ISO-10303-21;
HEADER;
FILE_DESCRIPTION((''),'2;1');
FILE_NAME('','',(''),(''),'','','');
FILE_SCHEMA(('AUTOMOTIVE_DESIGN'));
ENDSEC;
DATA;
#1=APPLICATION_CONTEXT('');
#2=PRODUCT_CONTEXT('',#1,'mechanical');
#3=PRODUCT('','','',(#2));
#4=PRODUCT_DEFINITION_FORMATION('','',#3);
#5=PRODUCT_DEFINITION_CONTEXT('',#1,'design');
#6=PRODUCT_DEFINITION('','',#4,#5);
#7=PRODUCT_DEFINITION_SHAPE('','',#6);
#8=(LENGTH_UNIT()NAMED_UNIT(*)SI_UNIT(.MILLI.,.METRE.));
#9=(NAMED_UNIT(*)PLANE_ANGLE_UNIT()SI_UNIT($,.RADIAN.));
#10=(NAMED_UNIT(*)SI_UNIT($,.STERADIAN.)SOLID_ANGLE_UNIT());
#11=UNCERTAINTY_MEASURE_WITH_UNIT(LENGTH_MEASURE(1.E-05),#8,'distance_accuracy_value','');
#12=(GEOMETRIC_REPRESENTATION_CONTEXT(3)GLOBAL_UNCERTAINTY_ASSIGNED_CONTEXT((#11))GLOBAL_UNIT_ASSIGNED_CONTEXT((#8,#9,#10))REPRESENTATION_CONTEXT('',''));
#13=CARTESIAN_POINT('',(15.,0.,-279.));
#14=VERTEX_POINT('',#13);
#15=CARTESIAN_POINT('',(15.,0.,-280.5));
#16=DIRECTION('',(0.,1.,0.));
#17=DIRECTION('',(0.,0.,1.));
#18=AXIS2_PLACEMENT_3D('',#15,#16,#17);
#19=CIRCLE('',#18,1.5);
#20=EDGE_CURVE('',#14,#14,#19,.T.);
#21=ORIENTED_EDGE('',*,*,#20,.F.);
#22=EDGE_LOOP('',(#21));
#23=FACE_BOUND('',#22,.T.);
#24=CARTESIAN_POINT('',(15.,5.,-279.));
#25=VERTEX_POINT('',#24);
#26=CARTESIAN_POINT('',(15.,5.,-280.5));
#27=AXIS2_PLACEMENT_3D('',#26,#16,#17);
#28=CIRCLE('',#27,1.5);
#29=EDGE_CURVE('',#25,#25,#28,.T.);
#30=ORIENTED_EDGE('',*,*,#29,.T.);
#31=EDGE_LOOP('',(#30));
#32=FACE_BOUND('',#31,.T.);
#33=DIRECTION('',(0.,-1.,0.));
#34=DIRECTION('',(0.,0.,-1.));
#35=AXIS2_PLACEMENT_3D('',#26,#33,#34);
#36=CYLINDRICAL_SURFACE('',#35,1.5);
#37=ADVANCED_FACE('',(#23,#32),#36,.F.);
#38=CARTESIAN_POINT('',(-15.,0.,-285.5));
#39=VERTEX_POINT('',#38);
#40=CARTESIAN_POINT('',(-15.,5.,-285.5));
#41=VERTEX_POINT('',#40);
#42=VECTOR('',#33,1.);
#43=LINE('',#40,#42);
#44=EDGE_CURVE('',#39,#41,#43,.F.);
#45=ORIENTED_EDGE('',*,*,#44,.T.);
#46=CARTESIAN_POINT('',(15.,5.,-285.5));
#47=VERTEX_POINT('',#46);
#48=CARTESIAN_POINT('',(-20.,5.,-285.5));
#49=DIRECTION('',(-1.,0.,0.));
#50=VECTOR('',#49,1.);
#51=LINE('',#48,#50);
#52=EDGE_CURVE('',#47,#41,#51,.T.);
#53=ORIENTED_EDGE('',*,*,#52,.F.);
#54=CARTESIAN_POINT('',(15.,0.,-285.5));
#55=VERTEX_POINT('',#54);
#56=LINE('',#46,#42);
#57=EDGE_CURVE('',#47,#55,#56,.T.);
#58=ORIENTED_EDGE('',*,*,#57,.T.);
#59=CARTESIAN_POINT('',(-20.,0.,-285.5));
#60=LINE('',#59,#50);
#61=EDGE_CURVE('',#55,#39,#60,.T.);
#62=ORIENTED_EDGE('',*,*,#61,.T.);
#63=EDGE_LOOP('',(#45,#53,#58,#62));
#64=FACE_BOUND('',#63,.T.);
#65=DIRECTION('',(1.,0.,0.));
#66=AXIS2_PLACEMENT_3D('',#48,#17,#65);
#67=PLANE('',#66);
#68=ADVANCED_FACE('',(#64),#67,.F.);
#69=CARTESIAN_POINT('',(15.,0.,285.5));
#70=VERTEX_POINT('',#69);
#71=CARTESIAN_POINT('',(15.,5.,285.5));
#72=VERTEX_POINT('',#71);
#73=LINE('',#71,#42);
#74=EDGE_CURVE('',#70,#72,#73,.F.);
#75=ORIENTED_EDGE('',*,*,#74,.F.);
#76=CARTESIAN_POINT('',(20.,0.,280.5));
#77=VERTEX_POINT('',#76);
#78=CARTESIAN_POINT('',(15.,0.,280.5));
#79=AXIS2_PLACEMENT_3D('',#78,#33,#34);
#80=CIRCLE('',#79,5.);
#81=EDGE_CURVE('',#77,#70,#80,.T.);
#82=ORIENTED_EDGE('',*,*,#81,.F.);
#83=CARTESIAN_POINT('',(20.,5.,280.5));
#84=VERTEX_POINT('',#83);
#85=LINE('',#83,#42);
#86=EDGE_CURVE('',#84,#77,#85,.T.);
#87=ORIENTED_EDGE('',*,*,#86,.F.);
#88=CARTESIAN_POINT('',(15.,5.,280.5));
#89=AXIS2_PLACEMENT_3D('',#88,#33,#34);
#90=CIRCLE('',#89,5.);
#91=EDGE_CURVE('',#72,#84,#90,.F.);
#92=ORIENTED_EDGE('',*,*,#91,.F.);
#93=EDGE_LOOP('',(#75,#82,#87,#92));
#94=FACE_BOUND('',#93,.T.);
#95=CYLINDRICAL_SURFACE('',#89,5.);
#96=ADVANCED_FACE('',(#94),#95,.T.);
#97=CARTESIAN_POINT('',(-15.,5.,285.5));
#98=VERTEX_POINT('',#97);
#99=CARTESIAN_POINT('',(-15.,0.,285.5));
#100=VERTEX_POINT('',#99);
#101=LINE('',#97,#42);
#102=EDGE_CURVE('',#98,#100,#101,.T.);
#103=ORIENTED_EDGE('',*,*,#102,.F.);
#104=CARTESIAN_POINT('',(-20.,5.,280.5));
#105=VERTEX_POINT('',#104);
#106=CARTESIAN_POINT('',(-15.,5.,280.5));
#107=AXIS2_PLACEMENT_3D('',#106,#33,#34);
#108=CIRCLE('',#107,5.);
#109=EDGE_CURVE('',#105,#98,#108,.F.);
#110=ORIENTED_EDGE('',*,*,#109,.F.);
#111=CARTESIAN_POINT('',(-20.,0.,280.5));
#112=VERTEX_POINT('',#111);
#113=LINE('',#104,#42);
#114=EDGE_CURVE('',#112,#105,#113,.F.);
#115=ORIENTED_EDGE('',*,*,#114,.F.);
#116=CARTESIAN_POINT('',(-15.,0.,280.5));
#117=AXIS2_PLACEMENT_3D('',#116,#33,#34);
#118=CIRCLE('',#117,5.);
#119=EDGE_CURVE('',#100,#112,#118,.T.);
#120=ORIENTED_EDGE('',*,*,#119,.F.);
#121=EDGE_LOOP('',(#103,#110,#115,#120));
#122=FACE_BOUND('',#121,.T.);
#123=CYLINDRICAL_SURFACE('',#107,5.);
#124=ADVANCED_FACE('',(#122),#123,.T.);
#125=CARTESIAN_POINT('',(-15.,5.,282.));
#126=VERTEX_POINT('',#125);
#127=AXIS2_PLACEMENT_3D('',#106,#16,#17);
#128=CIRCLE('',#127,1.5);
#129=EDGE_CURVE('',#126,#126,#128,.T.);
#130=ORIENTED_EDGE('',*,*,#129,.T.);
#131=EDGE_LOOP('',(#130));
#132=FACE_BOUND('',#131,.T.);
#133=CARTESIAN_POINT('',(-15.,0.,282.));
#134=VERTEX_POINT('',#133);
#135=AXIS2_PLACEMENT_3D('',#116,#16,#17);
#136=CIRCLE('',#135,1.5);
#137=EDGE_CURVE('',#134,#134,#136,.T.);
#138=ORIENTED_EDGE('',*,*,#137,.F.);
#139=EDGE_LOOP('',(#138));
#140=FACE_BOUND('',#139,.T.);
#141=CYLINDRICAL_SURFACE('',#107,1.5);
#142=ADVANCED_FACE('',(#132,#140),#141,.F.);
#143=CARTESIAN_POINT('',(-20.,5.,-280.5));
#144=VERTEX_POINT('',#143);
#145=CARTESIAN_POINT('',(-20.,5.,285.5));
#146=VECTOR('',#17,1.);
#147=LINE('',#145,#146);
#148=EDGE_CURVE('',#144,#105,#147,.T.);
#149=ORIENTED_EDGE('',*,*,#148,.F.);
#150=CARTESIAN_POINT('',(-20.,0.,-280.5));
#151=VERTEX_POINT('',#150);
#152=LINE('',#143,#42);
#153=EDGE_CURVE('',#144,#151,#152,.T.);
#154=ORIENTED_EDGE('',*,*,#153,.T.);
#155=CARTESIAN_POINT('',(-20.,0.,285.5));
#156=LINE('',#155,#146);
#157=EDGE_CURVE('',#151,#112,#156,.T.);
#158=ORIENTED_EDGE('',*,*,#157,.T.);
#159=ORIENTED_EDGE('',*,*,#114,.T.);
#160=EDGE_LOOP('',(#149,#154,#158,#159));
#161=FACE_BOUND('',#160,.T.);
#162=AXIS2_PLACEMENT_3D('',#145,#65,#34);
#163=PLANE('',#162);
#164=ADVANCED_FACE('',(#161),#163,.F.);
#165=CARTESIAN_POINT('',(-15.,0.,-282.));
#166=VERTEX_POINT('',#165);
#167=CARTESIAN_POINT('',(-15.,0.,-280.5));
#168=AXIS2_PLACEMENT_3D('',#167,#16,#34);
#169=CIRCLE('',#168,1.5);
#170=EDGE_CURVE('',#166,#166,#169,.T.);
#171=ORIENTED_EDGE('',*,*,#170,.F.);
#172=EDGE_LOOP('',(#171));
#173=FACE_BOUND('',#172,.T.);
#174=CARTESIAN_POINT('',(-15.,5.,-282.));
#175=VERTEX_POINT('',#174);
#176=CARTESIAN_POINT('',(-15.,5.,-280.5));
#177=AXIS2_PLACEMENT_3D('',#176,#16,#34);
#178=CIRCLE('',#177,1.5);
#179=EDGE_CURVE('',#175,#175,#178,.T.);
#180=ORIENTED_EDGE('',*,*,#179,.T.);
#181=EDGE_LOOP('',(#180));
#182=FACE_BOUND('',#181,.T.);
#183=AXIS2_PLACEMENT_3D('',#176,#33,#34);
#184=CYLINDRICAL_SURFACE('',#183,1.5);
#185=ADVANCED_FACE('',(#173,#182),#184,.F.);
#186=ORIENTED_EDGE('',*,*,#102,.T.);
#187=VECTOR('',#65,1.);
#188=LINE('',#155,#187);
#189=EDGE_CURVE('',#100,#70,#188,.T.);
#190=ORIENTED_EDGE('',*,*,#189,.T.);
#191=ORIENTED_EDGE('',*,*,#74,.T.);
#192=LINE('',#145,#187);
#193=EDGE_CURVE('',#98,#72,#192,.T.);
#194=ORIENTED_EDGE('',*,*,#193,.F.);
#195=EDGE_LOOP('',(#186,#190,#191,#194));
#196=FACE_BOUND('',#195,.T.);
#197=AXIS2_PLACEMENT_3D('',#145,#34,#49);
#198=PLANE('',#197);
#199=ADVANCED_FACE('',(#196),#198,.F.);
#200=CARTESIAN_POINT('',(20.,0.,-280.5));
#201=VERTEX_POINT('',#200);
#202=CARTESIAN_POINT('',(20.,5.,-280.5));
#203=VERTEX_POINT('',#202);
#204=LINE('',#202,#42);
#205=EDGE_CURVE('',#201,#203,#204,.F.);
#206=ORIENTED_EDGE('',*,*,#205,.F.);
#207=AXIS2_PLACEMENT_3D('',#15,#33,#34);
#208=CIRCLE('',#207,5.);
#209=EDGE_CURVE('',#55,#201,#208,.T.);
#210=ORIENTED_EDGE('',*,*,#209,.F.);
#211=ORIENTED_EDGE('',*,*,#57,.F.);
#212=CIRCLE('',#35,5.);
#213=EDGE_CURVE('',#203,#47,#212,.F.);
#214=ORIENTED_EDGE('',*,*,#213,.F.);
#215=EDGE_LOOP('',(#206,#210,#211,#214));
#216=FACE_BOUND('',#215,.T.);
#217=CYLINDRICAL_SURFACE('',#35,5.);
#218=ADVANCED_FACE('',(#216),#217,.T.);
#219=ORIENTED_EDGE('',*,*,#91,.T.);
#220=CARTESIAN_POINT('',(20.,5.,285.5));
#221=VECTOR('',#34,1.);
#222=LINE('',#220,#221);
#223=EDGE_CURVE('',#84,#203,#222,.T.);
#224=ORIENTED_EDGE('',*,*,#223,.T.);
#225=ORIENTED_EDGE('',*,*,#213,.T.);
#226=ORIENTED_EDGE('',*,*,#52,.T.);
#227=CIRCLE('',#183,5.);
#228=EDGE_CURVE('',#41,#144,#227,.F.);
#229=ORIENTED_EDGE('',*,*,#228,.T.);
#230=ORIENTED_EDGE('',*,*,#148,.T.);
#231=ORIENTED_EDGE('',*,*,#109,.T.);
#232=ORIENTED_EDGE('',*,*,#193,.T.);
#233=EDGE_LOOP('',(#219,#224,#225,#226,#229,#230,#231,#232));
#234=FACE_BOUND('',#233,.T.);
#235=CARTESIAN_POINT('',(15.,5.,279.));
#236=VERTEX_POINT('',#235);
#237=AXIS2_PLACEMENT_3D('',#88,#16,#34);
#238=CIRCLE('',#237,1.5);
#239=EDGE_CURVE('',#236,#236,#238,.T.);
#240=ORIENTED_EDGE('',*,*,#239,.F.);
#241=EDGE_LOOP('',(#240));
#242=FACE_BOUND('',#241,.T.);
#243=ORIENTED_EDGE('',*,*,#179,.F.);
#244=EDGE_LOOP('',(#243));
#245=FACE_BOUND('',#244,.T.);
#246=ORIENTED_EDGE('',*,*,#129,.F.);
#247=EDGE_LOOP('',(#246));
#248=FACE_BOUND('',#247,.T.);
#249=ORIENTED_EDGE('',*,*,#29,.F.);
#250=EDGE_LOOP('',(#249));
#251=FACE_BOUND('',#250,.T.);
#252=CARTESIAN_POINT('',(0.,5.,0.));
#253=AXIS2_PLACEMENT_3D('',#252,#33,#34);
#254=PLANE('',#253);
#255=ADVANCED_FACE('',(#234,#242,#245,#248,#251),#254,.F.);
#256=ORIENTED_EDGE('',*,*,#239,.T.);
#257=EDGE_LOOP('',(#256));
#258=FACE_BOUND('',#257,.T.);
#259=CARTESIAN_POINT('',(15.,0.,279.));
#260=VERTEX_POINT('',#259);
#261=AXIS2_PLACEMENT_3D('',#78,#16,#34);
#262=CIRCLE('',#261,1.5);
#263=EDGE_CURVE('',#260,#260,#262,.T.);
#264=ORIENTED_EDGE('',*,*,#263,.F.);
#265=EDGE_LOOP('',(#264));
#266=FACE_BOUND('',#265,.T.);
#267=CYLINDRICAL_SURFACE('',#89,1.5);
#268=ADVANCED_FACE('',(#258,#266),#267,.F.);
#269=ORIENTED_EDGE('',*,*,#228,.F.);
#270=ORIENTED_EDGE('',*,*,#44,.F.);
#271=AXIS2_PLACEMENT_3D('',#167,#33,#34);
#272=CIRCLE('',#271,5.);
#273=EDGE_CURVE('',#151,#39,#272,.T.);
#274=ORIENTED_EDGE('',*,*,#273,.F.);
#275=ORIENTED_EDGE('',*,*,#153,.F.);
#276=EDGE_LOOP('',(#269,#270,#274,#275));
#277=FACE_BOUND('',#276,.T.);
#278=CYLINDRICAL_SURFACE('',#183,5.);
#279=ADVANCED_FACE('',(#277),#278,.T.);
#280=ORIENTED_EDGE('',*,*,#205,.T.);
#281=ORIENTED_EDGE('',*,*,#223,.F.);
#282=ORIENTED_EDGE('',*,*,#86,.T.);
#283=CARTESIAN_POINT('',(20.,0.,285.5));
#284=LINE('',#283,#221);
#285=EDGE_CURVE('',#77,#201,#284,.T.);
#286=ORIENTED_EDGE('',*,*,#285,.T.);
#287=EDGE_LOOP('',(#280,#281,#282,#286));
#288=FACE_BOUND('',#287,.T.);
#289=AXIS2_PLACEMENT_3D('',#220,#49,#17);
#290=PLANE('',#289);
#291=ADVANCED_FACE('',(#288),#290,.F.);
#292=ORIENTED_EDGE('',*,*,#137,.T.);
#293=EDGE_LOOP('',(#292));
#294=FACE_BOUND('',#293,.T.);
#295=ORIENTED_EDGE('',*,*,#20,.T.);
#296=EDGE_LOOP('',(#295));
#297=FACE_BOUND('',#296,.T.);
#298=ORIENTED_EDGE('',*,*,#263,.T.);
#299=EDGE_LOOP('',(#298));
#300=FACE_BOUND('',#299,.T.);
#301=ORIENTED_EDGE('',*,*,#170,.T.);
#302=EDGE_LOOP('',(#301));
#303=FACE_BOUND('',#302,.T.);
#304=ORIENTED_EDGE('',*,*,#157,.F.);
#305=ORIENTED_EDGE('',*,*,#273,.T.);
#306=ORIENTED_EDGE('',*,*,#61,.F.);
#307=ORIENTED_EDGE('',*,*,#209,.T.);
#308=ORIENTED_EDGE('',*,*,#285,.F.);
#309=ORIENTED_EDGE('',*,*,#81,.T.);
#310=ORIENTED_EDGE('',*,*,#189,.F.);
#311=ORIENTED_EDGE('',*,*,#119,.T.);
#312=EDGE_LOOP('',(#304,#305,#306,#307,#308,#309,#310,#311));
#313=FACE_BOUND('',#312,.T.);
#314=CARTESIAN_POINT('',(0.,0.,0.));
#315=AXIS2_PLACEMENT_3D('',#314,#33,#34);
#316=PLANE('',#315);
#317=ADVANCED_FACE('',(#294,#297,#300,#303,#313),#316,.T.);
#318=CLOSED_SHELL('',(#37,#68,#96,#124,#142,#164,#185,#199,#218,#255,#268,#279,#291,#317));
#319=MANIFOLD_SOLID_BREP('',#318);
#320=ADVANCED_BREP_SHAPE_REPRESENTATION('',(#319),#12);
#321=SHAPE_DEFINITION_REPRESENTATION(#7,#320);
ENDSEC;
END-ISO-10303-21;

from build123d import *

# Parameters (mm, degrees)
SKETCH_1_W      = 40
SKETCH_1_H      = 571
SKETCH_1_R      = 1.5
EXTRUDE_1_DEPTH = 5
FILLET_1_R      = 5


with BuildPart() as part:
    # ｽｹｯﾁ1 → ﾎﾞｽ - 押し出し1 (new body)
    with BuildSketch(Plane(origin=(0, 0, 0), x_dir=(1, 0, 0), z_dir=(0, 1, 0))):
        Rectangle(SKETCH_1_W, SKETCH_1_H)
        with Locations(Location((15, 280.5, 0), (0, 0, 270))):
            Circle(SKETCH_1_R, mode=Mode.SUBTRACT)
        with Locations(Location((-15, 280.5, 0), (0, 0, 90))):
            Circle(SKETCH_1_R, mode=Mode.SUBTRACT)
        with Locations(Location((-15, -280.5, 0), (0, 0, 270))):
            Circle(SKETCH_1_R, mode=Mode.SUBTRACT)
        with Locations(Location((15, -280.5, 0), (0, 0, 90))):
            Circle(SKETCH_1_R, mode=Mode.SUBTRACT)
    extrude(amount=EXTRUDE_1_DEPTH)

    # ﾌｨﾚｯﾄ1
    fillet_1_edges = [part.edges().sort_by_distance(p)[0] for p in [
        (20, 2.5, 285.5),
        (-20, 2.5, 285.5),
        (-20, 2.5, -285.5),
        (20, 2.5, -285.5),
    ]]
    fillet(fillet_1_edges, radius=FILLET_1_R)


solid = part.part
